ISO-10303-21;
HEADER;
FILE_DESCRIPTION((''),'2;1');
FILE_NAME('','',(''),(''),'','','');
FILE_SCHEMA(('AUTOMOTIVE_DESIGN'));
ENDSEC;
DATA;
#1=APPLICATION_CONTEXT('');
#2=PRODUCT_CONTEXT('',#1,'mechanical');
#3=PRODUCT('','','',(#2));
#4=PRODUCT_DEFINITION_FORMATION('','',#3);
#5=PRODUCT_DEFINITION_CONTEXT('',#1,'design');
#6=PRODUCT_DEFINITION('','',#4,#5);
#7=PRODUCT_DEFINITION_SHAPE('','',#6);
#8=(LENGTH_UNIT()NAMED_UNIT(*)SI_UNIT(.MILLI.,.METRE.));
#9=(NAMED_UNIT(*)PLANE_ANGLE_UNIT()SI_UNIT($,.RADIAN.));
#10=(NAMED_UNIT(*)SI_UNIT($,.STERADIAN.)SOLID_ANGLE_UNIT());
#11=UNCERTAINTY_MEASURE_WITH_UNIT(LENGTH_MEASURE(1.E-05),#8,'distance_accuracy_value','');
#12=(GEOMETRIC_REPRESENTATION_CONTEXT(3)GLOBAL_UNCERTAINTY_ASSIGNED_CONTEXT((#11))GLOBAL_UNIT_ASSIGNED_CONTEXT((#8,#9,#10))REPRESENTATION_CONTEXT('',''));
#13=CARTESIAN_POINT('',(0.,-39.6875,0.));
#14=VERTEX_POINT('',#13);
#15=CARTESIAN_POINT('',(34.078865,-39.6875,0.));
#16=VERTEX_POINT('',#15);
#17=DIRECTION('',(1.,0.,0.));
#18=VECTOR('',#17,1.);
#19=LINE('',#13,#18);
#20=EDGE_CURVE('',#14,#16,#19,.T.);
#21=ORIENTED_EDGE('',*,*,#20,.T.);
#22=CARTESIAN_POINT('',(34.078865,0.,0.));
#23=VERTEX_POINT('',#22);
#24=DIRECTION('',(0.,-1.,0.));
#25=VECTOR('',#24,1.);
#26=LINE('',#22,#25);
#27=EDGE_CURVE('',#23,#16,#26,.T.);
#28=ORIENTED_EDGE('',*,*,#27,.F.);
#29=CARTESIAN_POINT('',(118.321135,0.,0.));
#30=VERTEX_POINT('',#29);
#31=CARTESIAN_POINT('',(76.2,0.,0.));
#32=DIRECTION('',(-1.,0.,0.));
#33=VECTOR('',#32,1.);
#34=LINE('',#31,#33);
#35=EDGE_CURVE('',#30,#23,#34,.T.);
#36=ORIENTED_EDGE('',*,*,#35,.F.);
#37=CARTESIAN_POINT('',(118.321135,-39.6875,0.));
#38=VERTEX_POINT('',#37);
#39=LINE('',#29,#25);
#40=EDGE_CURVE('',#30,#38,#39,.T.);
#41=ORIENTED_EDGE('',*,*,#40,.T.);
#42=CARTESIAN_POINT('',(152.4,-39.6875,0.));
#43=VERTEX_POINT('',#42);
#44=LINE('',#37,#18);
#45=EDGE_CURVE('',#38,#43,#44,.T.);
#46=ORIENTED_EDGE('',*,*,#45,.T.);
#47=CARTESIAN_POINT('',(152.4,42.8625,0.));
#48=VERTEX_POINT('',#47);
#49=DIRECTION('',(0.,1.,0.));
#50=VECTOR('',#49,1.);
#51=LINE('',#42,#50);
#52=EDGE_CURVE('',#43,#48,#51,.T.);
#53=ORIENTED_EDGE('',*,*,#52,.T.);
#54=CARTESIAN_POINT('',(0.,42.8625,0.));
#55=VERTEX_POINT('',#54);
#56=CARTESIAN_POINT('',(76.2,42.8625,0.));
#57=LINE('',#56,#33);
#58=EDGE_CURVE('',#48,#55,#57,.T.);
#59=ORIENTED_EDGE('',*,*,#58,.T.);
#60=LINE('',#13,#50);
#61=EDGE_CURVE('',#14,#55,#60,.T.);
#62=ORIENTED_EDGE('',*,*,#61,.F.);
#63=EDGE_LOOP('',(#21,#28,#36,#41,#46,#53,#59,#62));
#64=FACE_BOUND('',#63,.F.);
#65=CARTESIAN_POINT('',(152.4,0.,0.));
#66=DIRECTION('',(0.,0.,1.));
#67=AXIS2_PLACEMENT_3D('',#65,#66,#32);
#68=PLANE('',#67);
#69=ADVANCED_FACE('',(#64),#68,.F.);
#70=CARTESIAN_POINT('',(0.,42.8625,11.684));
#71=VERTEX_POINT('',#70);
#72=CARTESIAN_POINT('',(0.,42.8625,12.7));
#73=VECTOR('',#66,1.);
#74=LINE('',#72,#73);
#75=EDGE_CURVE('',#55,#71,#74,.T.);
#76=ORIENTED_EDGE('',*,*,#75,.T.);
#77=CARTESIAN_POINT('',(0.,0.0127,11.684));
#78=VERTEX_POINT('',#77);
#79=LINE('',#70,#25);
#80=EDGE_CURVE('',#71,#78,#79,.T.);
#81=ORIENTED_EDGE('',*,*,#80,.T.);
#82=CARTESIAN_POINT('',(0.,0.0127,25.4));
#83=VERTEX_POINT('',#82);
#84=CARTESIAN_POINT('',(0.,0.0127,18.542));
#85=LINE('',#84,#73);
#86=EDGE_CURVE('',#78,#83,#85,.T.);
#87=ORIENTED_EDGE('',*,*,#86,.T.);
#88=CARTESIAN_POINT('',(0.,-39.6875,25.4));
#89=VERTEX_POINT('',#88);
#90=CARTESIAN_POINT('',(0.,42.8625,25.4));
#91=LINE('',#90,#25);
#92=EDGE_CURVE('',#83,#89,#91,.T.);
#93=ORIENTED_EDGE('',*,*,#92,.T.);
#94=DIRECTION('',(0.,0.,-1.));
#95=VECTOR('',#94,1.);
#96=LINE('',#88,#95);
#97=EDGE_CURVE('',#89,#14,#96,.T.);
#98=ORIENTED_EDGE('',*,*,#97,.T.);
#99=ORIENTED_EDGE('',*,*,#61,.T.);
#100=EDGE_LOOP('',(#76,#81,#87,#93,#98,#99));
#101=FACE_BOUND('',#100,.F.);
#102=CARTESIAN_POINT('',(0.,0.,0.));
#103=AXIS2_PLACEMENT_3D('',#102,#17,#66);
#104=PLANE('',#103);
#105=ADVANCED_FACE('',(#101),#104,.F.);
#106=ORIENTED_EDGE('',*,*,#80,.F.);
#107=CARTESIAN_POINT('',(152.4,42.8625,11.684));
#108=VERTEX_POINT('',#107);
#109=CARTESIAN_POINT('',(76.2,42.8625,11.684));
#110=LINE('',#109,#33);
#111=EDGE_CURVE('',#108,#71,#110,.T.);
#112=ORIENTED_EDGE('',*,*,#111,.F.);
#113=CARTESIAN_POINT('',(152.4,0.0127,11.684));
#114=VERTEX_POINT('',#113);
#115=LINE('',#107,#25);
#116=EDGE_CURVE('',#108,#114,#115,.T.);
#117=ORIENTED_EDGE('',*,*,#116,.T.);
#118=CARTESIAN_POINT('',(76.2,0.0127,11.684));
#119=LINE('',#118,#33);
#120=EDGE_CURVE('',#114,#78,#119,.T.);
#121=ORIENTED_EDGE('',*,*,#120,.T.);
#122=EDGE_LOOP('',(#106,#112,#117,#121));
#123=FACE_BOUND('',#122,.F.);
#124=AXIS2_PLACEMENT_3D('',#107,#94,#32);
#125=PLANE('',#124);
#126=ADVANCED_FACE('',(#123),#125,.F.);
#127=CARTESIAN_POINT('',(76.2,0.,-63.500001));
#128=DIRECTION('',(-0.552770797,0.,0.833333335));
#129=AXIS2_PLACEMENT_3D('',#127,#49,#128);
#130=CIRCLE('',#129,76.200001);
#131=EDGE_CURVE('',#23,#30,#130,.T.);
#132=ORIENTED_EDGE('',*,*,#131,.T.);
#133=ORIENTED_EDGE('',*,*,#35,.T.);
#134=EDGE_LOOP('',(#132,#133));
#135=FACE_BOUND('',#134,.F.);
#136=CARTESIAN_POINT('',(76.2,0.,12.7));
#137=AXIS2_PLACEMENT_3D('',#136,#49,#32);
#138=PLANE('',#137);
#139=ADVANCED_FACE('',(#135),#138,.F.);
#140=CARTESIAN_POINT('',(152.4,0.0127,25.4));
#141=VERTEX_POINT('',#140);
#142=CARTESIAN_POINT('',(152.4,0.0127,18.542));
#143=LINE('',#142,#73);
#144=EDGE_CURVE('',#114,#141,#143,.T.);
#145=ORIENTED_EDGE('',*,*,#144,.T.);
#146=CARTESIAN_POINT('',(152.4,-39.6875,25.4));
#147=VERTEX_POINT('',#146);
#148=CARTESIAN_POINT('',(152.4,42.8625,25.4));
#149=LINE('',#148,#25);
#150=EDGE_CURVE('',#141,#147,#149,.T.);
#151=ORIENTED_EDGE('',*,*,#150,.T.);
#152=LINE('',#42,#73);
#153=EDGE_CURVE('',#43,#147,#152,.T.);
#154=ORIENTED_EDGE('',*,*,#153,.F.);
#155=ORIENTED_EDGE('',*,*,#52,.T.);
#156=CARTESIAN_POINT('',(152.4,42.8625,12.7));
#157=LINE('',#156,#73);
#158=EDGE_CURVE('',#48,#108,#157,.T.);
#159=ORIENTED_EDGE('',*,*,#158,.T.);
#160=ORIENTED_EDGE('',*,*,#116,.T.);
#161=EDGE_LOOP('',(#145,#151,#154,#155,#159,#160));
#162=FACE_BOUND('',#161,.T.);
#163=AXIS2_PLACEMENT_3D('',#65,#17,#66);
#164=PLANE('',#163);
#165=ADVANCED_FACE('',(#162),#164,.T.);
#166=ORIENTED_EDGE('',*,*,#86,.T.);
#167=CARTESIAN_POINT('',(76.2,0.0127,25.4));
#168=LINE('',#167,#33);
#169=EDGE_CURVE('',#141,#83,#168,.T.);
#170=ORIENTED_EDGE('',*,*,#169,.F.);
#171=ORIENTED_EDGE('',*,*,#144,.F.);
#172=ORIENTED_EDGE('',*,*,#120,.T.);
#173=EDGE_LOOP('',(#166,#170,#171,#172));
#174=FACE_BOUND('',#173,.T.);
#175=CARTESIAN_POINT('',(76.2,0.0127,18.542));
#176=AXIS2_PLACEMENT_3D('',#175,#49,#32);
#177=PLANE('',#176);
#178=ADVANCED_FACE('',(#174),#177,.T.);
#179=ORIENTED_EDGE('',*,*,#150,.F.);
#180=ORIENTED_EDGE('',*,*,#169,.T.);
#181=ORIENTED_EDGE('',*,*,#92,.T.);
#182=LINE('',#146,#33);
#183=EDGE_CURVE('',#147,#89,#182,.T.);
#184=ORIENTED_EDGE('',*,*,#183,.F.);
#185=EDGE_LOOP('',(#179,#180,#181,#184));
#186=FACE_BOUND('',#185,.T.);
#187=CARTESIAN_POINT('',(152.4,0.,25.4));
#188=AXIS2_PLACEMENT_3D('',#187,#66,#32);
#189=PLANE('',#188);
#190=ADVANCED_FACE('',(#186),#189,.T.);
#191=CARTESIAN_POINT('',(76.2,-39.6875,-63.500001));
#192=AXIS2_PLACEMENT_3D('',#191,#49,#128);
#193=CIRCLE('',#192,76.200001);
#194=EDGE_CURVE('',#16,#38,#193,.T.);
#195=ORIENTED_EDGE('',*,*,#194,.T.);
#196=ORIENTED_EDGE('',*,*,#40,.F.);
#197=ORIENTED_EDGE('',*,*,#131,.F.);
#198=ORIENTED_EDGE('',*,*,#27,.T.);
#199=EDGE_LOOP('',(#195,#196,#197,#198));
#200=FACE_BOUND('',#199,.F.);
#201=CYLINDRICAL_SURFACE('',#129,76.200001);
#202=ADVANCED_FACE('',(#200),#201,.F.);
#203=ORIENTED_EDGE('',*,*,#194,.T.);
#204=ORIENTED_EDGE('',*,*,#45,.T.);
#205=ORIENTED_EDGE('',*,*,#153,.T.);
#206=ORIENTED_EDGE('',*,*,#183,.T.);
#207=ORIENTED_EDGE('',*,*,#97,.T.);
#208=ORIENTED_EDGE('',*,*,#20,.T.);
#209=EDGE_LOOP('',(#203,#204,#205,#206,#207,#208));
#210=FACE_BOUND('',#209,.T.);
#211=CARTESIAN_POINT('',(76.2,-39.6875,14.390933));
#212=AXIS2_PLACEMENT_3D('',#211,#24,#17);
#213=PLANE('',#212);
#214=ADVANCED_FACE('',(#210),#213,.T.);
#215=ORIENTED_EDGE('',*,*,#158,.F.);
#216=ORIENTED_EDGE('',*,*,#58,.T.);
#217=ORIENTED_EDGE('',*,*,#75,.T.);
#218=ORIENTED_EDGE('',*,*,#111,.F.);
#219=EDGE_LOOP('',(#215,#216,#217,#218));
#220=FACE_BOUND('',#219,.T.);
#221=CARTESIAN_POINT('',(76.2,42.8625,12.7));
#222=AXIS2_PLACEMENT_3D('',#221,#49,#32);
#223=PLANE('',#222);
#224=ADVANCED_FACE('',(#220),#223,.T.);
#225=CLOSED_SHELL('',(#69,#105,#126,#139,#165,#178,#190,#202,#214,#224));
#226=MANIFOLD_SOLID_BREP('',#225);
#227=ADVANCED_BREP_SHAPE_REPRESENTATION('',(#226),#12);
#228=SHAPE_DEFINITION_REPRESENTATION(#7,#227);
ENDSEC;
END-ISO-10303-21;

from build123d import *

# Parameters (mm, degrees)
F1_DEPTH = 39.6875
F2_W     = 152.4
F2_H     = 25.4
F3_DEPTH = 42.8625
F4_W     = 152.4
F4_H     = 13.716
F5_DEPTH = 42.8498


with BuildPart() as f1:
    # F0 (on Front) → F1 (new body)
    with BuildSketch(Plane.XZ):
        with BuildLine():
            Line((0, 25.4), (0, 0))
            Line((0, 0), (34.078865, 0))
            ThreePointArc((34.078865, 0), (76.2, 12.7), (118.321135, 0))
            Line((118.321135, 0), (152.4, 0))
            Line((152.4, 0), (152.4, 25.4))
            Line((152.4, 25.4), (0, 25.4))
        make_face()
    extrude(amount=F1_DEPTH)

    # F2 (on face) → F3 (join)
    with BuildSketch(Plane(origin=(0, 0, 0), x_dir=(-1, 0, 0), z_dir=(0, 1, 0))):
        with Locations((-76.2, 12.7)):
            Rectangle(F2_W, F2_H)
    extrude(amount=F3_DEPTH)

    # F4 (on face) → F5 (cut)
    with BuildSketch(Plane(origin=(0, 42.8625, 0), x_dir=(-1, 0, 0), z_dir=(0, 1, 0))):
        with Locations((-76.2, 18.542)):
            Rectangle(F4_W, F4_H)
    extrude(amount=-F5_DEPTH, mode=Mode.SUBTRACT)


solid = f1.part
